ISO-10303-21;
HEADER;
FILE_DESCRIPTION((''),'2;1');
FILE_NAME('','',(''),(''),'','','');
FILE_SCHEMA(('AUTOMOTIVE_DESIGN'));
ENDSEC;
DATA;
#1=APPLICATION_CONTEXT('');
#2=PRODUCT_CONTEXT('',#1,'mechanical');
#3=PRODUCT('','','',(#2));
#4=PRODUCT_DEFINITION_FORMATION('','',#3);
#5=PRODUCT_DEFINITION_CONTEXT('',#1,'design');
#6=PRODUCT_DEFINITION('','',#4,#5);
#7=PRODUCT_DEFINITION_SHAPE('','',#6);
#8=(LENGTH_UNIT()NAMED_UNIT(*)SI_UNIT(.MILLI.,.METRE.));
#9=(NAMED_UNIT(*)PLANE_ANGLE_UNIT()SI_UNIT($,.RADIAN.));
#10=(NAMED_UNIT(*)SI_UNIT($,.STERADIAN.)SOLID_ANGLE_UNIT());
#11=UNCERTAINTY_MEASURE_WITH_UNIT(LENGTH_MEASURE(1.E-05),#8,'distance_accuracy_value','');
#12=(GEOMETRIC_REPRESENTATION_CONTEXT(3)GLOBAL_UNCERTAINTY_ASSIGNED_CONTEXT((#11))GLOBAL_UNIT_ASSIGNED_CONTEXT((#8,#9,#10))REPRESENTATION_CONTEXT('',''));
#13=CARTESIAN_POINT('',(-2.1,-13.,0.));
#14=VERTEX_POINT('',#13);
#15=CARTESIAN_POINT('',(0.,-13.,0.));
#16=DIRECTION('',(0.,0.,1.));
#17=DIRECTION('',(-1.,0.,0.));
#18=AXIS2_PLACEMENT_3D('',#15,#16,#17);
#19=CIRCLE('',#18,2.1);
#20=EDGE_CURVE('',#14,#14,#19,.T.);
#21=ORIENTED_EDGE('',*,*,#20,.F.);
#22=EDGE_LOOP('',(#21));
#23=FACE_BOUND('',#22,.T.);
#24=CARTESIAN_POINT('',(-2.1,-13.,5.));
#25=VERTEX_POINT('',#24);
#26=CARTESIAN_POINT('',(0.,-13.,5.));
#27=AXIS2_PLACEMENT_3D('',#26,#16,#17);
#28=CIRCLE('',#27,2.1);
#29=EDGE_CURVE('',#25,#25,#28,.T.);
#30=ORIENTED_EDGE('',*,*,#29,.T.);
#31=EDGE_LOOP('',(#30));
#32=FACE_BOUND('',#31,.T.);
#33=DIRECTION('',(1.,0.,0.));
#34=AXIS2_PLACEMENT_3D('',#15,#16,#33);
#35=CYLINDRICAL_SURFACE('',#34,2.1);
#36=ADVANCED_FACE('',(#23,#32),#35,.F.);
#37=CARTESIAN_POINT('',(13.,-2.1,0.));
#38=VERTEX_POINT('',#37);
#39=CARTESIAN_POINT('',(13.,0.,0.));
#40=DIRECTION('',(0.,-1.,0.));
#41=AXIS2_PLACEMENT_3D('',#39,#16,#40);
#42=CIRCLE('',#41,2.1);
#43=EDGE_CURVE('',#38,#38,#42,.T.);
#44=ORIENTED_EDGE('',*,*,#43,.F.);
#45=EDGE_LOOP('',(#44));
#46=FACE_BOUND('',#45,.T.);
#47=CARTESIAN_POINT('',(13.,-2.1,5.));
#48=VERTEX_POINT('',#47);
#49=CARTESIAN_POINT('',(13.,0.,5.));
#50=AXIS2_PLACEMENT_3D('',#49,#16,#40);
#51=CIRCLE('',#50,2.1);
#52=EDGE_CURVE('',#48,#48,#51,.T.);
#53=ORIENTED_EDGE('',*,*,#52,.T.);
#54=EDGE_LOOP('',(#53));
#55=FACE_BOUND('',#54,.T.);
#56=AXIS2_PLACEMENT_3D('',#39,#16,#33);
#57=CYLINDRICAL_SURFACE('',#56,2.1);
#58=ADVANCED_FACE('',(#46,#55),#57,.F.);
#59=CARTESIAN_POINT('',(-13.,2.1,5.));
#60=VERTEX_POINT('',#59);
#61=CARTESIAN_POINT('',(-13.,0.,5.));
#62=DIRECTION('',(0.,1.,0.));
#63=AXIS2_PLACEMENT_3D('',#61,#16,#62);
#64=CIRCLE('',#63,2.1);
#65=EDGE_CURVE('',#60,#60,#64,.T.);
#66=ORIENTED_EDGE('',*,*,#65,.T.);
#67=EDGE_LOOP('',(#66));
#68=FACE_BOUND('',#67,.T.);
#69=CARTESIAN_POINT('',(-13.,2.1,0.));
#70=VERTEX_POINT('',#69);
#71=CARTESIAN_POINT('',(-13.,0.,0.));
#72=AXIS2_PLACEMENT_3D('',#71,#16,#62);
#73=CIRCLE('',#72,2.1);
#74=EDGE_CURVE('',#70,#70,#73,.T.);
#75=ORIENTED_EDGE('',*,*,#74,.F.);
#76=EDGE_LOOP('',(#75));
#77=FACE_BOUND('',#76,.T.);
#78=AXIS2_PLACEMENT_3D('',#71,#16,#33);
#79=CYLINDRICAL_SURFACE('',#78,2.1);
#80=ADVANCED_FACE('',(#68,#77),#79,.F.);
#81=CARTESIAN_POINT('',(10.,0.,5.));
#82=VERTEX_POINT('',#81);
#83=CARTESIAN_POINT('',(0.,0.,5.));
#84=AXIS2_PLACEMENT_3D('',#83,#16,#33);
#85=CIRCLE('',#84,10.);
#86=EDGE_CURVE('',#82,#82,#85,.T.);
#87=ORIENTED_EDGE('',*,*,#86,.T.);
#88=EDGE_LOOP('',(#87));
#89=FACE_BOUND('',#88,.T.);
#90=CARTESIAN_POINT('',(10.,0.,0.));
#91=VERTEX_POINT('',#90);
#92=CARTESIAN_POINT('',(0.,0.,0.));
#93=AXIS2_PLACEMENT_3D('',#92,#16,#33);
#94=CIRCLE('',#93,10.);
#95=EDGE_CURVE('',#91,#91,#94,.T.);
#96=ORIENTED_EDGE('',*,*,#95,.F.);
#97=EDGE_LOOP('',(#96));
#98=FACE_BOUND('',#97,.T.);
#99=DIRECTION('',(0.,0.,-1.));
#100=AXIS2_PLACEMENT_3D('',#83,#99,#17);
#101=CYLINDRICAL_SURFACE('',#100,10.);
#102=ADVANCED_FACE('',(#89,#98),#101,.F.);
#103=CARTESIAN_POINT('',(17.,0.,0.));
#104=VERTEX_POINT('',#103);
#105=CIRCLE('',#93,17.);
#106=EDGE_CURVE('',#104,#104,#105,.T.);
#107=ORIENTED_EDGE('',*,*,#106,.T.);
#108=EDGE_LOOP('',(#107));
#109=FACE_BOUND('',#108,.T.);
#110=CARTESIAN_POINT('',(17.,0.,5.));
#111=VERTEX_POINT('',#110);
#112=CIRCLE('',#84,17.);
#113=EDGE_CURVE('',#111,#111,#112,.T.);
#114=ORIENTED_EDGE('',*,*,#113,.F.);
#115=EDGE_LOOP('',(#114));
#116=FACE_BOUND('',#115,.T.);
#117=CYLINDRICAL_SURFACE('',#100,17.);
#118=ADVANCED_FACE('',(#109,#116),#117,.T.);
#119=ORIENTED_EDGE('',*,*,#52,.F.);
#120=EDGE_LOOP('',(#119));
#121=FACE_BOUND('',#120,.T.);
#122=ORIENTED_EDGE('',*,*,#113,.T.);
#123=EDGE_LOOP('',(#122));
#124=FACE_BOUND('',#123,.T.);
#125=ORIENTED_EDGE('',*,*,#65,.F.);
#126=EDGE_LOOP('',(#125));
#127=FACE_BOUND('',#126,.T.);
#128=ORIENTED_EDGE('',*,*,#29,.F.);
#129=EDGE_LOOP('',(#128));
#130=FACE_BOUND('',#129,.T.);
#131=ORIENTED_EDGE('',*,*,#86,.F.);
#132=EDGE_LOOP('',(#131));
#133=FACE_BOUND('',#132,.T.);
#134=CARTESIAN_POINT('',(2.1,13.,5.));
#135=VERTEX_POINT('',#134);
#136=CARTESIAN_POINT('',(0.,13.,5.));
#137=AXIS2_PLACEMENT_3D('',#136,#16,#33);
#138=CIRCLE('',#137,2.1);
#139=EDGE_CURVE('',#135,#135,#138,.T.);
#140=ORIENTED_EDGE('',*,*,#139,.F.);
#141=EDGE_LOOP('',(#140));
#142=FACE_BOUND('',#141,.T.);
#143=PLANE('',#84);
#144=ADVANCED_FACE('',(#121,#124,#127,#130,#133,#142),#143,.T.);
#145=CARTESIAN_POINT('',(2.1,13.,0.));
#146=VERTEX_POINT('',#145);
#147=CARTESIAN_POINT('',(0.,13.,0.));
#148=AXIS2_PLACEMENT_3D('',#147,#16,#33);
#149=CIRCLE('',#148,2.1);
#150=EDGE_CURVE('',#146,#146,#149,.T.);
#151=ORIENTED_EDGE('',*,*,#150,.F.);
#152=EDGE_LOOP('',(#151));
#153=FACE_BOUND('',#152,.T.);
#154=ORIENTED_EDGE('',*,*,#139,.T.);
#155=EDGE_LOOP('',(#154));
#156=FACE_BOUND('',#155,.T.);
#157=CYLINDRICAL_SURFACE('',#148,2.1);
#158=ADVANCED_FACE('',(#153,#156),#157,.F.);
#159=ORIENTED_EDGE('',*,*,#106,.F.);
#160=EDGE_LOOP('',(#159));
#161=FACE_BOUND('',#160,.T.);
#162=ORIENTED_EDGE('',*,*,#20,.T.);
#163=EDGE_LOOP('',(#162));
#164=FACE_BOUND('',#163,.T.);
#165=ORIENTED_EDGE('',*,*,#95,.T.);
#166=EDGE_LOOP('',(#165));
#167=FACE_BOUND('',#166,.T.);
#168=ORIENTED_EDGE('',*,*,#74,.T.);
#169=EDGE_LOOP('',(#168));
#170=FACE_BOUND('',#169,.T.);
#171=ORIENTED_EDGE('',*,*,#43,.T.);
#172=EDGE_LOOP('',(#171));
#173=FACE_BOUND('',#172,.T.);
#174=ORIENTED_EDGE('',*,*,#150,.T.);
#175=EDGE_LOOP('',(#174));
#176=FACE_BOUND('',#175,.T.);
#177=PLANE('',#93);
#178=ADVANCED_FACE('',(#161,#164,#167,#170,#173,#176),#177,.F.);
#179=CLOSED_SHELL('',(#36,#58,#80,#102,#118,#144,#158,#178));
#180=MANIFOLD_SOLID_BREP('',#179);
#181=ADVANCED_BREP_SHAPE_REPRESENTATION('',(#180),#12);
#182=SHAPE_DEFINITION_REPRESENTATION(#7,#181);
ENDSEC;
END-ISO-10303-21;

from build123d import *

# Parameters (mm, degrees)
ESQUISSE1_R                  = 17
ESQUISSE1_R_2                = 10
EXTRUSION1_DEPTH             = 5
ESQUISSE2_R                  = 2.1
ENL_V_MAT_EXTRU_1_DEPTH      = 25.556058316
R_P_TITION_CIRCULAIRE1_COUNT = 4


with BuildPart() as part:
    # Esquisse1 → Extrusion1 (new body)
    with BuildSketch(Plane.XY):
        Circle(ESQUISSE1_R)
        Circle(ESQUISSE1_R_2, mode=Mode.SUBTRACT)
    extrude(amount=EXTRUSION1_DEPTH)

    # Esquisse2 → Enlèv. mat.-Extru.1 (cut, through all)
    with BuildSketch(Plane.XY.offset(5)):
        with Locations((0, 13)):
            Circle(ESQUISSE2_R)
    enl_v_mat_extru_1 = extrude(amount=-ENL_V_MAT_EXTRU_1_DEPTH, mode=Mode.SUBTRACT)

    # Répétition circulaire1: Enlèv. mat.-Extru.1 ×4 about axis
    r_p_tition_circulaire1_axis = Axis((0, 0, 5), (0, 0, -1))
    for i in range(1, R_P_TITION_CIRCULAIRE1_COUNT):
        add(enl_v_mat_extru_1.rotate(r_p_tition_circulaire1_axis, i * 360 / R_P_TITION_CIRCULAIRE1_COUNT), mode=Mode.SUBTRACT)


solid = part.part
